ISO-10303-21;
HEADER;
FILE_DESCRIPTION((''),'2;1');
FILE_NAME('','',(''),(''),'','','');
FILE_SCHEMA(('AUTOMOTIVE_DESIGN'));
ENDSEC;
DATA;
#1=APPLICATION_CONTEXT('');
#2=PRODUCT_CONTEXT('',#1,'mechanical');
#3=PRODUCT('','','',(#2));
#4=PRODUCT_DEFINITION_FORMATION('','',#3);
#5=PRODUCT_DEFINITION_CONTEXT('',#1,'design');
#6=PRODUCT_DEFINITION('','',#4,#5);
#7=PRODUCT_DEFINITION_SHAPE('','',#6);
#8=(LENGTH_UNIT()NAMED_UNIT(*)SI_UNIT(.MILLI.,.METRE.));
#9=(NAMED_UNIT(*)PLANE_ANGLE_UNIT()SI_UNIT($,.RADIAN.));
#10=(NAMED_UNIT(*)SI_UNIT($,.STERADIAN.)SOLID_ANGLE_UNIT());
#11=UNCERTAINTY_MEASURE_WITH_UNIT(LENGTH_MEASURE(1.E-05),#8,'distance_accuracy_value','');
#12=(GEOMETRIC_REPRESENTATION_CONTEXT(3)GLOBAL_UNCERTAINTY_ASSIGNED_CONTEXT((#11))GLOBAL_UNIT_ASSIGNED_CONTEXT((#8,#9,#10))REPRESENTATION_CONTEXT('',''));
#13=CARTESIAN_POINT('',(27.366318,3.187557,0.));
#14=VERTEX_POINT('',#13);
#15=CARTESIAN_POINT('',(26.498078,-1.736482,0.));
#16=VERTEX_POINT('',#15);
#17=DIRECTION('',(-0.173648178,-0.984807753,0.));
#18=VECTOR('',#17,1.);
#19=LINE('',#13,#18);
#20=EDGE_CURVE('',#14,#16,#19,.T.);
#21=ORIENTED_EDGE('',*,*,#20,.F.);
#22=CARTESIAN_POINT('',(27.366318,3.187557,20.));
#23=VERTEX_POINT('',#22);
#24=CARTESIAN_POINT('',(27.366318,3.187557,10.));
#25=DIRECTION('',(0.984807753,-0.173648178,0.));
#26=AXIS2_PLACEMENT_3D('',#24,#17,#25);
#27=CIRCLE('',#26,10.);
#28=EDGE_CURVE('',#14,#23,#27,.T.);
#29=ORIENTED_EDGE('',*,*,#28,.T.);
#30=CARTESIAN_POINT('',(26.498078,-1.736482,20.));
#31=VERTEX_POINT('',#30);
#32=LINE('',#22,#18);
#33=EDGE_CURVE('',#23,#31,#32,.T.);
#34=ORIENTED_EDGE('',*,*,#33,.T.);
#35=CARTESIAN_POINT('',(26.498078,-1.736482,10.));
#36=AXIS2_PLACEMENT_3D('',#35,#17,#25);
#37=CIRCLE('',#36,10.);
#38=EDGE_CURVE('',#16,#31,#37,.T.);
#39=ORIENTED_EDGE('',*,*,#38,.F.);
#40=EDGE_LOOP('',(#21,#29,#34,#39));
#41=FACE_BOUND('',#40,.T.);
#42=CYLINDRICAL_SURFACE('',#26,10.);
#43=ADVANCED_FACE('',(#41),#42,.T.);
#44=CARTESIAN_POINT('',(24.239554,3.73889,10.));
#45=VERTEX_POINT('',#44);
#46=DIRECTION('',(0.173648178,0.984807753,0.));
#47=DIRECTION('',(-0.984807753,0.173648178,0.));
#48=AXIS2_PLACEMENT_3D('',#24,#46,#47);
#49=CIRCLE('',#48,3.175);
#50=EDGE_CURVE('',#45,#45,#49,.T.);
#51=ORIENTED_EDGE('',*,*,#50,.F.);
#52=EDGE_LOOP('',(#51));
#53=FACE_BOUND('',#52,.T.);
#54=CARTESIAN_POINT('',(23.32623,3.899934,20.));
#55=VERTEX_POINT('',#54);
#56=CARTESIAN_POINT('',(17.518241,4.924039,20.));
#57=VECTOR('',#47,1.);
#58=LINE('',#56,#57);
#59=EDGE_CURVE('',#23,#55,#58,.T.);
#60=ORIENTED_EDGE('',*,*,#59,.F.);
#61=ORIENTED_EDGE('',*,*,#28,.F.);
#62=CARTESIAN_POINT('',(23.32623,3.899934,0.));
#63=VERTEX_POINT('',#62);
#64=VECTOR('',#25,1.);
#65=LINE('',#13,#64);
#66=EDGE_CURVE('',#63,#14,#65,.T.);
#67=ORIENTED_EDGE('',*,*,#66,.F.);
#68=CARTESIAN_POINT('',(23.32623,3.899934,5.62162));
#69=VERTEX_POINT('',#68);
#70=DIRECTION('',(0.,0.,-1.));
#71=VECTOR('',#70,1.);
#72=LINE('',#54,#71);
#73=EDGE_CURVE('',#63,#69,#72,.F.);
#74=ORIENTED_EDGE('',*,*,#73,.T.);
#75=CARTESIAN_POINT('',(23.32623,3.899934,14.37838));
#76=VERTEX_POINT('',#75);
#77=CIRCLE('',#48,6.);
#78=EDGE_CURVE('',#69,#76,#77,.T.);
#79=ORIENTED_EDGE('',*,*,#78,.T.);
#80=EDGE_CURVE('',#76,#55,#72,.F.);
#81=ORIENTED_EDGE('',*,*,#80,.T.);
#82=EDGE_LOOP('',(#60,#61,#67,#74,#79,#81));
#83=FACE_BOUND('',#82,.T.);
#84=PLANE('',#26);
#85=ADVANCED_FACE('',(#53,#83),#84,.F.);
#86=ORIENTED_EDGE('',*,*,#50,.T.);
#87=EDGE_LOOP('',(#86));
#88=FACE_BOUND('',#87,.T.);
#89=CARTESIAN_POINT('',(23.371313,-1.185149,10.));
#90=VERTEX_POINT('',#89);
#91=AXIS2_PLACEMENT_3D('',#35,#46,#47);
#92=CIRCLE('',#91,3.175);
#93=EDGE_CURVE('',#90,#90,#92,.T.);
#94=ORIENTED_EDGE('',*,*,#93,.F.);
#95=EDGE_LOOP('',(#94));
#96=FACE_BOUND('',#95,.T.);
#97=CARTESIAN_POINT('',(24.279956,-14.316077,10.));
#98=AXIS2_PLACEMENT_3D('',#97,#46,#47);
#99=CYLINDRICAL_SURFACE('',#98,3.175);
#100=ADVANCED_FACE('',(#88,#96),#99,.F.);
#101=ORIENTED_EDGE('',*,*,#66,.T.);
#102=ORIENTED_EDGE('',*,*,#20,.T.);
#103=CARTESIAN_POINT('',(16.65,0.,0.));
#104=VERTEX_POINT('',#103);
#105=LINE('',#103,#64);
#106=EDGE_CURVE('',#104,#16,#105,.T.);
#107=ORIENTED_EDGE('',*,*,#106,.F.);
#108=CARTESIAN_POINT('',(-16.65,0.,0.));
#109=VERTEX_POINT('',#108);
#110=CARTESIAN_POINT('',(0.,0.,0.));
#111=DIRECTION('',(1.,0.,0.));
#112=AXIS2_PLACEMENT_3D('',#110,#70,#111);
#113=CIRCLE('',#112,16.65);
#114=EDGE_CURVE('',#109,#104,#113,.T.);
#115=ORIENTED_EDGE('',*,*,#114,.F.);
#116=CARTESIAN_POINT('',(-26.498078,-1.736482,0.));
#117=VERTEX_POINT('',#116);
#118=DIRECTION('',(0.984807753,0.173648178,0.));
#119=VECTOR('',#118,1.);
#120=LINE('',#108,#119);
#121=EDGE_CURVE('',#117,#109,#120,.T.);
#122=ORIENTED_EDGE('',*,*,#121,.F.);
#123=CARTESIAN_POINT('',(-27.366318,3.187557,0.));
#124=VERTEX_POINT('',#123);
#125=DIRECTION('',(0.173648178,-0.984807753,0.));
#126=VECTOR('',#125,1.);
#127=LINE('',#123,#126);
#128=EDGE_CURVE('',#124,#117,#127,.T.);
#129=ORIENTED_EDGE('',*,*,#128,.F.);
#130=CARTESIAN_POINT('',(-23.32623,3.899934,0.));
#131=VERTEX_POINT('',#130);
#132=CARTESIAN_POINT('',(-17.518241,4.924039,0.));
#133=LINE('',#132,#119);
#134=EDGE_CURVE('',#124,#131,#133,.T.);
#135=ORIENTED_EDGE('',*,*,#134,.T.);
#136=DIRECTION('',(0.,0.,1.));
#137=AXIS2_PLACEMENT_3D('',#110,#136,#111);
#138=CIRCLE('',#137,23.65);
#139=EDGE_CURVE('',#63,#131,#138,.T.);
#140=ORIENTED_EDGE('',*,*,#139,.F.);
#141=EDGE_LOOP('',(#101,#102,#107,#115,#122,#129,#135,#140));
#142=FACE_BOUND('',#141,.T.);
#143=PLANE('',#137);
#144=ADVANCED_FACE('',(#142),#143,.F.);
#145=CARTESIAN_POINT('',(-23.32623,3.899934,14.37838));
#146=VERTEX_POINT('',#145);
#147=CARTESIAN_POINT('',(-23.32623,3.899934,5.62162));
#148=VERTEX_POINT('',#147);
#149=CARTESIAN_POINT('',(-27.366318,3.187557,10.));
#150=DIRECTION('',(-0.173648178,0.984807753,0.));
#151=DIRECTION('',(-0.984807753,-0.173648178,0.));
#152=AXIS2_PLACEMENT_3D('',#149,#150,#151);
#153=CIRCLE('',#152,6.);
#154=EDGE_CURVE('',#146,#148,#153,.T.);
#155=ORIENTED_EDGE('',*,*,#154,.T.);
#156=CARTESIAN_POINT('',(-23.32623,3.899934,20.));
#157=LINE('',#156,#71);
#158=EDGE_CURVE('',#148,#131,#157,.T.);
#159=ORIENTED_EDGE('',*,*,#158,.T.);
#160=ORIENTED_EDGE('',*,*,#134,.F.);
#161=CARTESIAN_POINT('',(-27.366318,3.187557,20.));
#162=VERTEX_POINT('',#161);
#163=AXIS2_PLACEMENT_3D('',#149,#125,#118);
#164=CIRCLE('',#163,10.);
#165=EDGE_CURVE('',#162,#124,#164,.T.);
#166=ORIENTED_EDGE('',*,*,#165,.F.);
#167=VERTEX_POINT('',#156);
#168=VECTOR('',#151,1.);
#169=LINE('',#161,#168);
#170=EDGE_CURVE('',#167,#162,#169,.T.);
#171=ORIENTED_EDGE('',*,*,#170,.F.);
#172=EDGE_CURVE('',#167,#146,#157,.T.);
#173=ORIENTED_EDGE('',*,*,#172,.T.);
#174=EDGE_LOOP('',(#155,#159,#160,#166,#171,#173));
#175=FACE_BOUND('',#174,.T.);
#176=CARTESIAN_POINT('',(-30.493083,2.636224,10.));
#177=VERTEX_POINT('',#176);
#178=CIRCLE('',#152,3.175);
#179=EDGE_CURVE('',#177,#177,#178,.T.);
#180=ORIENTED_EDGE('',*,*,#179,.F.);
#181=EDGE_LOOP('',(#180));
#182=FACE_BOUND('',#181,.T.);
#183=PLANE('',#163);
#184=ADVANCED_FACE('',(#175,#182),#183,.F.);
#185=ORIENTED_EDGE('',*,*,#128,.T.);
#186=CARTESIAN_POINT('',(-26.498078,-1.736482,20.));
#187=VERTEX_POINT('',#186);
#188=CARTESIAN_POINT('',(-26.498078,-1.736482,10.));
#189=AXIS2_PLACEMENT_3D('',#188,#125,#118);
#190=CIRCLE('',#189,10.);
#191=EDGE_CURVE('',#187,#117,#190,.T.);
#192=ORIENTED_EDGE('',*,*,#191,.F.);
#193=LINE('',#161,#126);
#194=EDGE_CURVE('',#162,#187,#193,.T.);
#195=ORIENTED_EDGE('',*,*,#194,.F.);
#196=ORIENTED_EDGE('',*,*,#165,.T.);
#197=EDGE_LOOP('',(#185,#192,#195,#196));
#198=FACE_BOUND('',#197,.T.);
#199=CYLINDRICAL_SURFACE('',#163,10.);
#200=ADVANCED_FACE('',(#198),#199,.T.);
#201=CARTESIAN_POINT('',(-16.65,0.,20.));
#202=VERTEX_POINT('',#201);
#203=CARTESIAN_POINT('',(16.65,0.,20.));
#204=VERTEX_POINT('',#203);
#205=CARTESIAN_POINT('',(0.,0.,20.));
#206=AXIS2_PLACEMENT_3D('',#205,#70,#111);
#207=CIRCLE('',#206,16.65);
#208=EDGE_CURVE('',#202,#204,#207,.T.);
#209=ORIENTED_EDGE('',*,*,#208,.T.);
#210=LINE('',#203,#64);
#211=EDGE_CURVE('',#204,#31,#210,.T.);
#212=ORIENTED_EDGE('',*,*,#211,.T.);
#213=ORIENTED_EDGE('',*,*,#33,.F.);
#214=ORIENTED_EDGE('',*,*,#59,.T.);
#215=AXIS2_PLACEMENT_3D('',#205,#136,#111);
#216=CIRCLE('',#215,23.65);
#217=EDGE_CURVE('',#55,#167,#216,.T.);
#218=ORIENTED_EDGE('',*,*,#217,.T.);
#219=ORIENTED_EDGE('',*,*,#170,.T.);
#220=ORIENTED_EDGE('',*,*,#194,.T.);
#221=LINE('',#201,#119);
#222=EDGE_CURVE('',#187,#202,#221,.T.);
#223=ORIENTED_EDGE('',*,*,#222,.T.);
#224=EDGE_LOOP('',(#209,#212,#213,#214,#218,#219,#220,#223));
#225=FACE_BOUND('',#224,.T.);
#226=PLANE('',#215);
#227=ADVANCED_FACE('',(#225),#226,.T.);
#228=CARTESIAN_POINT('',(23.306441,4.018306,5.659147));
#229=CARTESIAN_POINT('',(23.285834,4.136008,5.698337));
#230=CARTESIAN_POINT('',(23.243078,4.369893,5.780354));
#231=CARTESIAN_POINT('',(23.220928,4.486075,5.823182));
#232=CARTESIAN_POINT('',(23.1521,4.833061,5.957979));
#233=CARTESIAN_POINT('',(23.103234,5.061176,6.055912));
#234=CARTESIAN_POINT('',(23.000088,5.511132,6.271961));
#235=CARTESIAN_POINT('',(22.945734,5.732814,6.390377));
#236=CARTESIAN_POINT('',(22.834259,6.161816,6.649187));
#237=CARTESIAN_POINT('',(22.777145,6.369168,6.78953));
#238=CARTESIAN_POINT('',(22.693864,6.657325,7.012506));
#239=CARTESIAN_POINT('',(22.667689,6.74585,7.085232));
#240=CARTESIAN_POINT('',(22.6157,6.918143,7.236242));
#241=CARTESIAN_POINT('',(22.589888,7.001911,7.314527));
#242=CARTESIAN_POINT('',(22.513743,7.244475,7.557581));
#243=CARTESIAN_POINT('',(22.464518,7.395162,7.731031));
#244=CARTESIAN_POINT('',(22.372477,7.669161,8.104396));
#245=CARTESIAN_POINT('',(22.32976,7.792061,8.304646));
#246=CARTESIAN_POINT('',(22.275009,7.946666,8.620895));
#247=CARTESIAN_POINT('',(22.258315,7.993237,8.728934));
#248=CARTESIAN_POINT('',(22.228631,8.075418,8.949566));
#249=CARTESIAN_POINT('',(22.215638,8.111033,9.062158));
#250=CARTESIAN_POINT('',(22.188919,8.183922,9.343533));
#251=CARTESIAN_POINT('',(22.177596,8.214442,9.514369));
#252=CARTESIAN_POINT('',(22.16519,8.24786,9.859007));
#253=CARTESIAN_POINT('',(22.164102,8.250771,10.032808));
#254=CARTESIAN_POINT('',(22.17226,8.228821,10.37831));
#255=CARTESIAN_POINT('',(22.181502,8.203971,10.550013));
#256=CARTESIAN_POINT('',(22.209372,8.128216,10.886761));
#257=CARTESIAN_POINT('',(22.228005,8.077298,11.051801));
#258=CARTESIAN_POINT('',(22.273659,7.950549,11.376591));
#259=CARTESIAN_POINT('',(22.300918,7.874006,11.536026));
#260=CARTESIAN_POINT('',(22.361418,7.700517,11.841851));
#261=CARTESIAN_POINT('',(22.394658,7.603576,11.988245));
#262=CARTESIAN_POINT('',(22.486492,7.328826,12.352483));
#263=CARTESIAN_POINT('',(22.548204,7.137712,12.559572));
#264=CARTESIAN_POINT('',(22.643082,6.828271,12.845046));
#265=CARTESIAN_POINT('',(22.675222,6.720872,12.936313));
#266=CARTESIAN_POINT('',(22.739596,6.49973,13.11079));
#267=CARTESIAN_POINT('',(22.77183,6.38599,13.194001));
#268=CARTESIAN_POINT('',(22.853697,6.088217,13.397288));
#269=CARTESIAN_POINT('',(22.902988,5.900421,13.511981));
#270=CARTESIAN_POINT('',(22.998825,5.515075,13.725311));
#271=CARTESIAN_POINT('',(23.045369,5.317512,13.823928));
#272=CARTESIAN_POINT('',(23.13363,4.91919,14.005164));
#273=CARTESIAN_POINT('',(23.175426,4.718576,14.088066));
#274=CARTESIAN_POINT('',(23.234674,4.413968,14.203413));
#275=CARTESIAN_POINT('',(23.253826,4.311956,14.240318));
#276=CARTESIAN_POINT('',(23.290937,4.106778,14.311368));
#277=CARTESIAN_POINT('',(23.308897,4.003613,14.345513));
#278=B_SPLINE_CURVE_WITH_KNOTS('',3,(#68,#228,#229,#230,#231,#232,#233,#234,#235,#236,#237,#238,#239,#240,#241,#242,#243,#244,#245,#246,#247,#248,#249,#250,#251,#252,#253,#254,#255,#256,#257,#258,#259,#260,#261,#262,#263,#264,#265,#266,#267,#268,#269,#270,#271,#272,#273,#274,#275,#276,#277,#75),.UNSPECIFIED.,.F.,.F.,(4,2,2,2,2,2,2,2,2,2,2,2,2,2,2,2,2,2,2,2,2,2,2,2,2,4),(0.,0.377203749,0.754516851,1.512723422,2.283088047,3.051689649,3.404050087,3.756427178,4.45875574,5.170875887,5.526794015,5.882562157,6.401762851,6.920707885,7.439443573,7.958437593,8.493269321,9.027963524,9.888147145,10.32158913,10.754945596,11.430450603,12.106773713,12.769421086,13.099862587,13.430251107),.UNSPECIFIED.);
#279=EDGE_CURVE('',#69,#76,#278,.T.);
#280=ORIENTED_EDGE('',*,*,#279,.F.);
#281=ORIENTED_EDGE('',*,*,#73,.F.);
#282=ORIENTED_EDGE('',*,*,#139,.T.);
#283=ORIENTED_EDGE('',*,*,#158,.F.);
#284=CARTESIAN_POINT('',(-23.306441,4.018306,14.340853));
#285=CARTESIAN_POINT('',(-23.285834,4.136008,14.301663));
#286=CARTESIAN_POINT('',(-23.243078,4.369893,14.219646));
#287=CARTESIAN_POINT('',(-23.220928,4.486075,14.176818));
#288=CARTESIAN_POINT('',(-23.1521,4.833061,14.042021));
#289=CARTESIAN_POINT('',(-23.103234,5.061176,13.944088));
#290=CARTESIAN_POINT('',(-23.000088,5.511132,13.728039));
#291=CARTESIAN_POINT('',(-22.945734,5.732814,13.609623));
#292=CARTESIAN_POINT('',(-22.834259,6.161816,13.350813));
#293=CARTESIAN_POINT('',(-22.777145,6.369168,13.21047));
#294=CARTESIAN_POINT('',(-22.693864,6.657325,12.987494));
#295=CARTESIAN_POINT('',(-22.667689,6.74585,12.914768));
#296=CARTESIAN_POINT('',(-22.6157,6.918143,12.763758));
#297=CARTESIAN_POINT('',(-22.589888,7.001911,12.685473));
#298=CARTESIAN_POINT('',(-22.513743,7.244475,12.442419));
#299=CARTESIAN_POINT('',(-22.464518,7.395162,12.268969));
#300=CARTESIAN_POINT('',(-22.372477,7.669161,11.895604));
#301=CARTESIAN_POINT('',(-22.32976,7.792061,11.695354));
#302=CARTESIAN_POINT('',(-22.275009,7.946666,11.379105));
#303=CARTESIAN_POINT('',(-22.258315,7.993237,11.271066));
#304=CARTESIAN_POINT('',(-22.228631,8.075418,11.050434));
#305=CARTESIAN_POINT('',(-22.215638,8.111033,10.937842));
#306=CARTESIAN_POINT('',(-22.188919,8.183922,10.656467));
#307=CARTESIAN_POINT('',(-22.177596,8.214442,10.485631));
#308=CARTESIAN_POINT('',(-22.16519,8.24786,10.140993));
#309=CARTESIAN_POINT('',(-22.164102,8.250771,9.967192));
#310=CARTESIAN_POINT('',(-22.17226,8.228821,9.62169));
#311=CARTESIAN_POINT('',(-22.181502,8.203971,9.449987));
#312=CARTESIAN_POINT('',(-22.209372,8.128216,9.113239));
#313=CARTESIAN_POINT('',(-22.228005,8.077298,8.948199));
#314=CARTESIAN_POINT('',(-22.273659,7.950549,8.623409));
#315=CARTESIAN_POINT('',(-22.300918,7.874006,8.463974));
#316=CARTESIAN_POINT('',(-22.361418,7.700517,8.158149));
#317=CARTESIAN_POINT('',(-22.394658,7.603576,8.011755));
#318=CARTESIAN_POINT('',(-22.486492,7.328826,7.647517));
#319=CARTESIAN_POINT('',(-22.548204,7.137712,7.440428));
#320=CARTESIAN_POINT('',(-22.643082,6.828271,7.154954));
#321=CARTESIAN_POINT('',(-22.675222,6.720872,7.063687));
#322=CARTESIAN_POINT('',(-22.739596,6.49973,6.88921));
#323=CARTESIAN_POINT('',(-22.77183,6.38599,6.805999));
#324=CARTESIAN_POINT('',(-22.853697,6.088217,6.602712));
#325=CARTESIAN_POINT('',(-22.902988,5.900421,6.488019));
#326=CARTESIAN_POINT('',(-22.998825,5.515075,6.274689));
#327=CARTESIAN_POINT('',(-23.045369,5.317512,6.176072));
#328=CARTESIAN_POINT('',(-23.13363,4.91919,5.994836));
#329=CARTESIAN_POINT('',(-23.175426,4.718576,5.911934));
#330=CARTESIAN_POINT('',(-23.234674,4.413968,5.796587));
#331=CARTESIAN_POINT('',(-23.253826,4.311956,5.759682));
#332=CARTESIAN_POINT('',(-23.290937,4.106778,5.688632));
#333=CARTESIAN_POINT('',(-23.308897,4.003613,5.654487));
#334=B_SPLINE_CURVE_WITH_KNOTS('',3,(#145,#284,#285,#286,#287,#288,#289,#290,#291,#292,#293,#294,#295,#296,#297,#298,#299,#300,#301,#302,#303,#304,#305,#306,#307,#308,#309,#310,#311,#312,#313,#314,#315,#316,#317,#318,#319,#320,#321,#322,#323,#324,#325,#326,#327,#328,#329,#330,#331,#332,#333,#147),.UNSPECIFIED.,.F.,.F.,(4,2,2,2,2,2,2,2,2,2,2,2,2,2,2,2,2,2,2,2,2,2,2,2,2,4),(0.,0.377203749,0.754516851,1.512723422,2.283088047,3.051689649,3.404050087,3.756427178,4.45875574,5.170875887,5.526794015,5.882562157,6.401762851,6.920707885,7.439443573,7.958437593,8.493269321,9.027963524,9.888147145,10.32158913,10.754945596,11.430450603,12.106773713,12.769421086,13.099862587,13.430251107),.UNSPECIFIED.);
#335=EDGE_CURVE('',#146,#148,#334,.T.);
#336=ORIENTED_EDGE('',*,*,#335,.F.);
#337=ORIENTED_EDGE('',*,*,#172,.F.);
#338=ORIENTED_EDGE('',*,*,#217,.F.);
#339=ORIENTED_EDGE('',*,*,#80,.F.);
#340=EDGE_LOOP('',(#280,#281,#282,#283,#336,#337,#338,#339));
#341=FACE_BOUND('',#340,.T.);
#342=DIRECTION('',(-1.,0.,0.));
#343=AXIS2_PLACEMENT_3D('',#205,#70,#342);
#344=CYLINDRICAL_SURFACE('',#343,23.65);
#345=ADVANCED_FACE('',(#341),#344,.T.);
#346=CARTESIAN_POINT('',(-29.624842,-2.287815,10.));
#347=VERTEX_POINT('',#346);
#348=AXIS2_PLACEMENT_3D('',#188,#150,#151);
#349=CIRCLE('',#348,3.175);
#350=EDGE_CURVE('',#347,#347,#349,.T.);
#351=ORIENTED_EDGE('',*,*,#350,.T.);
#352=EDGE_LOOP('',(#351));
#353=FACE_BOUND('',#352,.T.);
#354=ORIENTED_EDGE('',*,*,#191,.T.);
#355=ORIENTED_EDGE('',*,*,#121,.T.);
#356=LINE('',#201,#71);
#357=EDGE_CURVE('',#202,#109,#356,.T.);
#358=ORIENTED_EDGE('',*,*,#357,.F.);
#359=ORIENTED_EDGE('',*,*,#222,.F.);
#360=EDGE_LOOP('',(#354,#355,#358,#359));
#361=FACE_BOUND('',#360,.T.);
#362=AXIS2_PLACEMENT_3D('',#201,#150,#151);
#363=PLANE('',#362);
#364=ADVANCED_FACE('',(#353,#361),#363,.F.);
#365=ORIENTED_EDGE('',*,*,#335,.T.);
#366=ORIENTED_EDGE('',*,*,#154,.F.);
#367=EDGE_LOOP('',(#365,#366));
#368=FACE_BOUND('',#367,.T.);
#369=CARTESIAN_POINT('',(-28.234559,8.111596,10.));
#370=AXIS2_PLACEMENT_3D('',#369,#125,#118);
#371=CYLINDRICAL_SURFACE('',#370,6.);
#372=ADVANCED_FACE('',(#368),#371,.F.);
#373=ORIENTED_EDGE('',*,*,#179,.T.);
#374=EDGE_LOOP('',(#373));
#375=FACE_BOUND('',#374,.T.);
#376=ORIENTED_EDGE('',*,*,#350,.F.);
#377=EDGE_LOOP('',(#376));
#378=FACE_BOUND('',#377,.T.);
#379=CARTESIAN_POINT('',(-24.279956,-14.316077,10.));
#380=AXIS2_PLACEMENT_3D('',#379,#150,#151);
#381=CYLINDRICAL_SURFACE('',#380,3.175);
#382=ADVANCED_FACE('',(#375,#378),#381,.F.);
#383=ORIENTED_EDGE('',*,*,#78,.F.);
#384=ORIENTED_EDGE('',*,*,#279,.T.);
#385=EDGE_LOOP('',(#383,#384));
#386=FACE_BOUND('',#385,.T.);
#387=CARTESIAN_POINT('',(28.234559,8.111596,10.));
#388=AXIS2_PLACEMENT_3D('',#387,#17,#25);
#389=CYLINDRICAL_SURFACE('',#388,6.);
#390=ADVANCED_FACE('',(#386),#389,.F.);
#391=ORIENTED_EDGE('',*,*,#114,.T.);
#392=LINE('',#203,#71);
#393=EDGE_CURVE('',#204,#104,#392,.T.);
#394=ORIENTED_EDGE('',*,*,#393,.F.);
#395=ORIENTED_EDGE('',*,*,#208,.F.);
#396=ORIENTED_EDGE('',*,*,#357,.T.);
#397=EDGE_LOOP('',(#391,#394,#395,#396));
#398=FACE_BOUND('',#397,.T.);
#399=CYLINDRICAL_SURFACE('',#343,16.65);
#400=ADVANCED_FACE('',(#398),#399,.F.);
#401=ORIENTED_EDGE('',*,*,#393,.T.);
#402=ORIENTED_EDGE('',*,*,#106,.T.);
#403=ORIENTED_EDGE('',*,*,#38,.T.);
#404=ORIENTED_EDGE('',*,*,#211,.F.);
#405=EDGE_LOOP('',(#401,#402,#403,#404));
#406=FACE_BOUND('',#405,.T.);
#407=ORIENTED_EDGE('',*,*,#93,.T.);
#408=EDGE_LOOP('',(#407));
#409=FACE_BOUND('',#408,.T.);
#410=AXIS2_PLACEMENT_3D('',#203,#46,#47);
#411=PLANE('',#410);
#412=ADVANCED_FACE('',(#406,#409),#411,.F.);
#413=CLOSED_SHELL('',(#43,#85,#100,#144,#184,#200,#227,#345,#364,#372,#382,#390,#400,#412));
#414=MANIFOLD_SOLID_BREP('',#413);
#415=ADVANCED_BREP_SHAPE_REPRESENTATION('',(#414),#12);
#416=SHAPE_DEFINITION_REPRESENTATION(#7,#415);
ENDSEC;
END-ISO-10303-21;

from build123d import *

# Parameters (mm, degrees)
BOSS_EXTRUDE1_DEPTH = 20
BOSS_EXTRUDE2_DEPTH = 5
BOSS_EXTRUDE4_DEPTH = 5
SKETCH8_R           = 3.175
CUT_EXTRUDE2_DEPTH  = 47.2699694
SKETCH9_R           = 6
CUT_EXTRUDE3_DEPTH  = 5
SKETCH10_R          = 3.175
CUT_EXTRUDE4_DEPTH  = 47.269969478
SKETCH11_R          = 6
CUT_EXTRUDE5_DEPTH  = 5


with BuildPart() as part:
    # Sketch1 → Boss-Extrude1 (new body)
    with BuildSketch(Plane.XY):
        with BuildLine():
            Line((16.65, 0), (23.618063018, -1.228657513))
            ThreePointArc((23.618063018, -1.228657513), (0, 23.65), (-23.618063018, -1.228657513))
            Line((-23.618063018, -1.228657513), (-16.65, 0))
            ThreePointArc((-16.65, 0), (0, 16.65), (16.65, 0))
        make_face()
    extrude(amount=BOSS_EXTRUDE1_DEPTH)

    # Sketch2 → Boss-Extrude2 (add)
    with BuildSketch(Plane(origin=(0.502058932, 2.847317693, 0), x_dir=(-0.9848077530122079, 0.1736481776669312, 0), z_dir=(-0.1736481776669312, -0.9848077530122079, 0))):
        with BuildLine():
            Line((-26.397049088, 0), (-16.397049088, 0))
            Line((-16.397049088, 0), (-16.397049088, -20))
            Line((-16.397049088, -20), (-26.397049088, -20))
            ThreePointArc((-26.397049088, -20), (-36.397049088, -10), (-26.397049088, 0))
        make_face()
    extrude(amount=-BOSS_EXTRUDE2_DEPTH)

    # Sketch6 → Boss-Extrude4 (add)
    with BuildSketch(Plane(origin=(-0.502058932, 2.847317693, 0), x_dir=(0.9848077530122087, 0.173648177666927, 0), z_dir=(0.173648177666927, -0.9848077530122087, 0))):
        with BuildLine():
            Line((-26.397049088, 20), (-16.397049088, 20))
            Line((-16.397049088, 20), (-16.397049088, 0))
            Line((-16.397049088, 0), (-26.397049088, 0))
            ThreePointArc((-26.397049088, 0), (-36.397049088, 10), (-26.397049088, 20))
        make_face()
    extrude(amount=-BOSS_EXTRUDE4_DEPTH)

    # Sketch8 → Cut-Extrude2 (cut, through all)
    with BuildSketch(Plane(origin=(-1.37029982, 7.771356458, 0), x_dir=(0.9848077530122087, 0.173648177666927, 0), z_dir=(-0.173648177666927, 0.9848077530122087, 0))):
        with Locations(Location((-26.397049088, -10, 0), (0, 0, 180))):
            Circle(SKETCH8_R)
    extrude(amount=-CUT_EXTRUDE2_DEPTH, mode=Mode.SUBTRACT)

    # Sketch9 → Cut-Extrude3 (cut)
    with BuildSketch(Plane(origin=(-1.37029982, 7.771356458, 0), x_dir=(0.9848077530122087, 0.173648177666927, 0), z_dir=(-0.173648177666927, 0.9848077530122087, 0))):
        with Locations((-26.397049088, -10)):
            Circle(SKETCH9_R)
    extrude(amount=CUT_EXTRUDE3_DEPTH, mode=Mode.SUBTRACT)

    # Sketch10 → Cut-Extrude4 (cut, through all)
    with BuildSketch(Plane(origin=(1.37029982, 7.771356458, 0), x_dir=(0.9848077530122079, -0.1736481776669312, 0), z_dir=(0.1736481776669312, 0.9848077530122079, 0))):
        with Locations(Location((26.397049088, -10, 0), (0, 0, 180))):
            Circle(SKETCH10_R)
    extrude(amount=-CUT_EXTRUDE4_DEPTH, mode=Mode.SUBTRACT)

    # Sketch11 → Cut-Extrude5 (cut)
    with BuildSketch(Plane(origin=(1.37029982, 7.771356458, 0), x_dir=(0.9848077530122079, -0.1736481776669312, 0), z_dir=(0.1736481776669312, 0.9848077530122079, 0))):
        with Locations((26.397049088, -10)):
            Circle(SKETCH11_R)
    extrude(amount=CUT_EXTRUDE5_DEPTH, mode=Mode.SUBTRACT)


solid = part.part
